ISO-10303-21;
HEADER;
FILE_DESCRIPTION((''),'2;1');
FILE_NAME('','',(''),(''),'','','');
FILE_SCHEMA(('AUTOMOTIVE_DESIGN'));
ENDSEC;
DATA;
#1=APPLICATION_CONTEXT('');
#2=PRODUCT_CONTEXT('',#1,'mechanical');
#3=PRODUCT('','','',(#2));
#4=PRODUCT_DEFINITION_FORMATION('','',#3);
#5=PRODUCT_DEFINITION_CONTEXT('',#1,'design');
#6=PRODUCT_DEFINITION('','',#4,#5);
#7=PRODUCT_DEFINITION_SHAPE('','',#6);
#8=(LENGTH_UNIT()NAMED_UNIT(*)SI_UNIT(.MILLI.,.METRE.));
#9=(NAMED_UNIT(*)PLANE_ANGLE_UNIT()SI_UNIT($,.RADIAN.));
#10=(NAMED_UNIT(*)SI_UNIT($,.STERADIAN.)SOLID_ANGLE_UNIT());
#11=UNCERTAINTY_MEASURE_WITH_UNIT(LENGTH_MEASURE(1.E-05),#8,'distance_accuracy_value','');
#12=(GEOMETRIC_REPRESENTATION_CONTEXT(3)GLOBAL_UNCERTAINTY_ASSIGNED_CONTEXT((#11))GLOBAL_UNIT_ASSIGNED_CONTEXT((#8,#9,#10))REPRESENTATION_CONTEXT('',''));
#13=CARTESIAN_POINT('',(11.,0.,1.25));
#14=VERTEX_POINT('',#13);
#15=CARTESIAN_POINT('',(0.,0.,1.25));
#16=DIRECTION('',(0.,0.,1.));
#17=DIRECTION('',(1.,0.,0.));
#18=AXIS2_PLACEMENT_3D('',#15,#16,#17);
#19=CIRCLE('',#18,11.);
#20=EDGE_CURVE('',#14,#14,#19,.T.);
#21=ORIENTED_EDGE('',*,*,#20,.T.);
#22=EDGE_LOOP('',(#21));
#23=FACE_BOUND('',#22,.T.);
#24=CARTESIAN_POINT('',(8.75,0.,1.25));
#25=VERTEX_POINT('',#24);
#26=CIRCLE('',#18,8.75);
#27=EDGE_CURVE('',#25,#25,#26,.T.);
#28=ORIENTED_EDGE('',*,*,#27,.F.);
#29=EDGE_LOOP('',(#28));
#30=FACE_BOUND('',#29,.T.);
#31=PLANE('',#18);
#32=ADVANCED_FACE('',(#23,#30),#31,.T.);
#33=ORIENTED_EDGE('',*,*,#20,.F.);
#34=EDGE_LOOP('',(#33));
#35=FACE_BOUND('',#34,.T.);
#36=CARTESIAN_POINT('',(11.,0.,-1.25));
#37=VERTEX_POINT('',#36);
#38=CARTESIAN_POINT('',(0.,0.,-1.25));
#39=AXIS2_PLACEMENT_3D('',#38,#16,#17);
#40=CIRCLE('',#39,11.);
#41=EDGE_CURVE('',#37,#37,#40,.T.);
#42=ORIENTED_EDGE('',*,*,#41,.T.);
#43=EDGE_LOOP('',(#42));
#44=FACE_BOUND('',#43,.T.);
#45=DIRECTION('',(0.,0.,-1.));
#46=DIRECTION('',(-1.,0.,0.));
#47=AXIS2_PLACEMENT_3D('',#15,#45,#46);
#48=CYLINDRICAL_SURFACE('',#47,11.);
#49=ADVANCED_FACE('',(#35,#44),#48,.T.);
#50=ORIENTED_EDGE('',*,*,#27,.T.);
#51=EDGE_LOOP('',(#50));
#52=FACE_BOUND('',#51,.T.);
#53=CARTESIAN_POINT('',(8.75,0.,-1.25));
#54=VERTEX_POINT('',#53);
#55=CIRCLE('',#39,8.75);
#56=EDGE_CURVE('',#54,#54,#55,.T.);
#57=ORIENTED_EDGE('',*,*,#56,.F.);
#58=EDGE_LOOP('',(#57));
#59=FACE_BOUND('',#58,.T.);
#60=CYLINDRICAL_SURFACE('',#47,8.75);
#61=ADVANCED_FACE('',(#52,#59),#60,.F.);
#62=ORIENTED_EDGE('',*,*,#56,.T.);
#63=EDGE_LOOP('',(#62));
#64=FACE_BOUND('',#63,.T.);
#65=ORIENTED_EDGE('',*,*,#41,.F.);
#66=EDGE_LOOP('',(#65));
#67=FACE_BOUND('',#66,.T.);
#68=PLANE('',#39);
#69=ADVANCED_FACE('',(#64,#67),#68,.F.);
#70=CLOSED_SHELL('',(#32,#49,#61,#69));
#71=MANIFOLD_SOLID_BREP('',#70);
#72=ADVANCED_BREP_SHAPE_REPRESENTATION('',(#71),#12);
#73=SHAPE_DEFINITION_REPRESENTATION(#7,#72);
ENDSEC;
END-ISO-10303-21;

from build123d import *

# Parameters (mm, degrees)
ESBO_O1_R       = 11
ESBO_O1_R_2     = 8.75
EXTRUS_O1_DEPTH = 1.25


with BuildPart() as part:
    # Esboço1 → Extrusão1 (new, symmetric)
    with BuildSketch(Plane.XY):
        Circle(ESBO_O1_R)
        Circle(ESBO_O1_R_2, mode=Mode.SUBTRACT)
    extrude(amount=EXTRUS_O1_DEPTH, both=True)


solid = part.part
